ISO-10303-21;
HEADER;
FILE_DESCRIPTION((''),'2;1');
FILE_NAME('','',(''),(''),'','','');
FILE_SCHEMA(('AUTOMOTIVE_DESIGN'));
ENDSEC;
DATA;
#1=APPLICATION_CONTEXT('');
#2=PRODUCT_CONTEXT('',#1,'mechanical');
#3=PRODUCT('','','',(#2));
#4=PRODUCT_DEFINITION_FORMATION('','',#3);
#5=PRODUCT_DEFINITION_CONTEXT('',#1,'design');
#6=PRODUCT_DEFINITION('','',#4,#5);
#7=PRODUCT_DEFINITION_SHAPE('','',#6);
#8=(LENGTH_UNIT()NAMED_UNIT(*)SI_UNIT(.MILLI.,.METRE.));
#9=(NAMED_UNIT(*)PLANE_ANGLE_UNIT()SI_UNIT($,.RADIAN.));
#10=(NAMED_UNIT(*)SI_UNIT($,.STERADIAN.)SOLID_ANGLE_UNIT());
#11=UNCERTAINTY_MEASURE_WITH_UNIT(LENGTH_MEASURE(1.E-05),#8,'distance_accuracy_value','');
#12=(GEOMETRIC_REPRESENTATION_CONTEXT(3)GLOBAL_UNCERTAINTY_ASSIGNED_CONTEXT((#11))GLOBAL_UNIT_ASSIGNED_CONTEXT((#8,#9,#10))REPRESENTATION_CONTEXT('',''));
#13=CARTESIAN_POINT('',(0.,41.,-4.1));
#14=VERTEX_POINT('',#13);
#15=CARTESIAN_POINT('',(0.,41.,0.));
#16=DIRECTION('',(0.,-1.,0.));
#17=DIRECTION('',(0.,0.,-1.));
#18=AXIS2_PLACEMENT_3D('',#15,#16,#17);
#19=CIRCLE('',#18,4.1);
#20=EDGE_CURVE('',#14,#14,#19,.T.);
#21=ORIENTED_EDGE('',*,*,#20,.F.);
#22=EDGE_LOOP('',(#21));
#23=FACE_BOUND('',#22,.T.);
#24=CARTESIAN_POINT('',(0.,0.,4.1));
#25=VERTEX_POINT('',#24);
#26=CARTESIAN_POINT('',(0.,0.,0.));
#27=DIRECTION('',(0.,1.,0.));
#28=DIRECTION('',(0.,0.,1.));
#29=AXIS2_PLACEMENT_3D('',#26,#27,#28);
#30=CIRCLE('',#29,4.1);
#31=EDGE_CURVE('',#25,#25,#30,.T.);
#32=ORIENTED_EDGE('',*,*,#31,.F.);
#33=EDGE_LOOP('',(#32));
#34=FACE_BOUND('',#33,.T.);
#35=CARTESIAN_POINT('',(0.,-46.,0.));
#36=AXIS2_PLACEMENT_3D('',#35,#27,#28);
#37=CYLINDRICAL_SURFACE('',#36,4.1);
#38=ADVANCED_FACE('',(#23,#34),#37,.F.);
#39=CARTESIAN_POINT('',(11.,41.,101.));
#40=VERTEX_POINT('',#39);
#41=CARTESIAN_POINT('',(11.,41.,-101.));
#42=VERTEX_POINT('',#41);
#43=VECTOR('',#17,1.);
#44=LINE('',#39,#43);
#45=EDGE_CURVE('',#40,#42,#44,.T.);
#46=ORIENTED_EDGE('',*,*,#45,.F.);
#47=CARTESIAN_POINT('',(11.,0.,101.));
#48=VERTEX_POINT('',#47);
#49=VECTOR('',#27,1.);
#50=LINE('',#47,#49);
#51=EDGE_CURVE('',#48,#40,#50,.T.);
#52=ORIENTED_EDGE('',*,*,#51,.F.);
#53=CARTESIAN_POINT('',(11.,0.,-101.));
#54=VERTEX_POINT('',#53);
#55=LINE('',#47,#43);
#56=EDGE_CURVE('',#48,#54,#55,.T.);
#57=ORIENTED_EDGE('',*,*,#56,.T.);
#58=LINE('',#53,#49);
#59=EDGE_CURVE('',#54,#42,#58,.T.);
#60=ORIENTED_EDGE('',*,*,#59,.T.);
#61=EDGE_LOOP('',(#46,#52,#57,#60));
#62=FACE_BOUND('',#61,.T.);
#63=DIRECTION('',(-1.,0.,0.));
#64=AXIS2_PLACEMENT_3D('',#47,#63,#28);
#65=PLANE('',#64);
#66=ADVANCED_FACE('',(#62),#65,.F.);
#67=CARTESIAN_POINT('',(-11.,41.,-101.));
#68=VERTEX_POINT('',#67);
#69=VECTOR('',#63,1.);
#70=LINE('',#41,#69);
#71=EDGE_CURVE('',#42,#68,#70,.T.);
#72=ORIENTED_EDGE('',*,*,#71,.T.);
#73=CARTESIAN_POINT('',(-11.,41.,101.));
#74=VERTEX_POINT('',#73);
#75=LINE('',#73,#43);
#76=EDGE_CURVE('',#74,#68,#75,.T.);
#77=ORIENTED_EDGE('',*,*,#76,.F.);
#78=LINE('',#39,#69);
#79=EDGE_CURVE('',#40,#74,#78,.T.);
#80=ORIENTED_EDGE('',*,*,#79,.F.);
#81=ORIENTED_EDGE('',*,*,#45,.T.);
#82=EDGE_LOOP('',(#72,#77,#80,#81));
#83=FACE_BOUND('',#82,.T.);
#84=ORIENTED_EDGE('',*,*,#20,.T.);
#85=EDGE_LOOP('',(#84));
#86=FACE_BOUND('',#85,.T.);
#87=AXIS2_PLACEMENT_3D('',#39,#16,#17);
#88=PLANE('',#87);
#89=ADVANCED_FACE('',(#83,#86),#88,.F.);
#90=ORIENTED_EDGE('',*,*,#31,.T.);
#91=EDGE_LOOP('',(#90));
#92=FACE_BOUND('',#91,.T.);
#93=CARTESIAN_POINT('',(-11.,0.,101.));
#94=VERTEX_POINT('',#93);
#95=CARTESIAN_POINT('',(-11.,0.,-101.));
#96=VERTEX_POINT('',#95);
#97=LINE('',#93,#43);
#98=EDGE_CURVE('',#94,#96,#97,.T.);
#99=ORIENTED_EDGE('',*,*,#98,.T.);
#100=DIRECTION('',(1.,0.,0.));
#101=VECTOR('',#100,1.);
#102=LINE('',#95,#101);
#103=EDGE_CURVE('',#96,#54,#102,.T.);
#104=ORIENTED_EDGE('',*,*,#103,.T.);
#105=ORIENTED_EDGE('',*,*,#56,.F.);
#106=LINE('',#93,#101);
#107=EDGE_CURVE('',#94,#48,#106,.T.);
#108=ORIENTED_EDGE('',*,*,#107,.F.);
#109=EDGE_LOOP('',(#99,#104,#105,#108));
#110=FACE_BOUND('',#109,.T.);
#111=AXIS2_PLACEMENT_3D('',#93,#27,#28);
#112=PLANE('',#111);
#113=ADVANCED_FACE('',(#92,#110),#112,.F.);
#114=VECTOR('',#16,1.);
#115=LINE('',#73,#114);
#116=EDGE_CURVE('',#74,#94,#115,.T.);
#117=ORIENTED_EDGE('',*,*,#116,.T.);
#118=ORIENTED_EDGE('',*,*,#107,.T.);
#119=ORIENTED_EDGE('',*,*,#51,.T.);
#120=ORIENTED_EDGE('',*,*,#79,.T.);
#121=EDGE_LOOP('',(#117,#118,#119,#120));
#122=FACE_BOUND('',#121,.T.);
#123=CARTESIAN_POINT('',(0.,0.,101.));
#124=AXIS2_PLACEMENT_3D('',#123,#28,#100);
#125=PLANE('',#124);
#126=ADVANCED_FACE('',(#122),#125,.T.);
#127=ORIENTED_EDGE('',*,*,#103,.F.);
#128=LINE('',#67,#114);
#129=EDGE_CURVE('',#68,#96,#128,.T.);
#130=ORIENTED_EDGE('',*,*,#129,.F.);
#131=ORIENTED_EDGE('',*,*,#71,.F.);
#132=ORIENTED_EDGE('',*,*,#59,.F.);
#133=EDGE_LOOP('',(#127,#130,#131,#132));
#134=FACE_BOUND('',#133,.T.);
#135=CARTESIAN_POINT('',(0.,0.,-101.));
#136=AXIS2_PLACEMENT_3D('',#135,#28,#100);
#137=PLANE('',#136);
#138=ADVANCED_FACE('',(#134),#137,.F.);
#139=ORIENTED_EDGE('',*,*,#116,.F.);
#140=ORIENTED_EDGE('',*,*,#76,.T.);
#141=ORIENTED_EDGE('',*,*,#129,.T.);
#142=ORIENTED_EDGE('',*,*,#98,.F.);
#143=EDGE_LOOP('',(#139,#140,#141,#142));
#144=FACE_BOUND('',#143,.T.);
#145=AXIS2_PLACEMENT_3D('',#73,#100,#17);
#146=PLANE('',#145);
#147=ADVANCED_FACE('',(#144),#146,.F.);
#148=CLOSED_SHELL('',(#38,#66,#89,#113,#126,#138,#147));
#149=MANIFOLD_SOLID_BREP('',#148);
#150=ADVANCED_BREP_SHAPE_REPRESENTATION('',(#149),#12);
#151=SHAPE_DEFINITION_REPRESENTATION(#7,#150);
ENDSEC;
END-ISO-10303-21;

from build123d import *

# Parameters (mm, degrees)
SKETCH1_W           = 22
SKETCH1_H           = 41
BOSS_EXTRUDE1_DEPTH = 101
SKETCH2_R           = 4.1
CUT_EXTRUDE1_DEPTH  = 46


with BuildPart() as part:
    # Sketch1 → Boss-Extrude1 (new, symmetric)
    with BuildSketch(Plane.XY):
        with Locations((0, 20.5)):
            Rectangle(SKETCH1_W, SKETCH1_H)
    extrude(amount=BOSS_EXTRUDE1_DEPTH, both=True)

    # Sketch2 → Cut-Extrude1 (cut, symmetric)
    with BuildSketch(Plane(origin=(0, 0, 0), x_dir=(1, 0, 0), z_dir=(0, 1, 0))):
        with Locations(Location((0, 0, 0), (0, 0, 270))):
            Circle(SKETCH2_R)
    extrude(amount=CUT_EXTRUDE1_DEPTH, both=True, mode=Mode.SUBTRACT)


solid = part.part
